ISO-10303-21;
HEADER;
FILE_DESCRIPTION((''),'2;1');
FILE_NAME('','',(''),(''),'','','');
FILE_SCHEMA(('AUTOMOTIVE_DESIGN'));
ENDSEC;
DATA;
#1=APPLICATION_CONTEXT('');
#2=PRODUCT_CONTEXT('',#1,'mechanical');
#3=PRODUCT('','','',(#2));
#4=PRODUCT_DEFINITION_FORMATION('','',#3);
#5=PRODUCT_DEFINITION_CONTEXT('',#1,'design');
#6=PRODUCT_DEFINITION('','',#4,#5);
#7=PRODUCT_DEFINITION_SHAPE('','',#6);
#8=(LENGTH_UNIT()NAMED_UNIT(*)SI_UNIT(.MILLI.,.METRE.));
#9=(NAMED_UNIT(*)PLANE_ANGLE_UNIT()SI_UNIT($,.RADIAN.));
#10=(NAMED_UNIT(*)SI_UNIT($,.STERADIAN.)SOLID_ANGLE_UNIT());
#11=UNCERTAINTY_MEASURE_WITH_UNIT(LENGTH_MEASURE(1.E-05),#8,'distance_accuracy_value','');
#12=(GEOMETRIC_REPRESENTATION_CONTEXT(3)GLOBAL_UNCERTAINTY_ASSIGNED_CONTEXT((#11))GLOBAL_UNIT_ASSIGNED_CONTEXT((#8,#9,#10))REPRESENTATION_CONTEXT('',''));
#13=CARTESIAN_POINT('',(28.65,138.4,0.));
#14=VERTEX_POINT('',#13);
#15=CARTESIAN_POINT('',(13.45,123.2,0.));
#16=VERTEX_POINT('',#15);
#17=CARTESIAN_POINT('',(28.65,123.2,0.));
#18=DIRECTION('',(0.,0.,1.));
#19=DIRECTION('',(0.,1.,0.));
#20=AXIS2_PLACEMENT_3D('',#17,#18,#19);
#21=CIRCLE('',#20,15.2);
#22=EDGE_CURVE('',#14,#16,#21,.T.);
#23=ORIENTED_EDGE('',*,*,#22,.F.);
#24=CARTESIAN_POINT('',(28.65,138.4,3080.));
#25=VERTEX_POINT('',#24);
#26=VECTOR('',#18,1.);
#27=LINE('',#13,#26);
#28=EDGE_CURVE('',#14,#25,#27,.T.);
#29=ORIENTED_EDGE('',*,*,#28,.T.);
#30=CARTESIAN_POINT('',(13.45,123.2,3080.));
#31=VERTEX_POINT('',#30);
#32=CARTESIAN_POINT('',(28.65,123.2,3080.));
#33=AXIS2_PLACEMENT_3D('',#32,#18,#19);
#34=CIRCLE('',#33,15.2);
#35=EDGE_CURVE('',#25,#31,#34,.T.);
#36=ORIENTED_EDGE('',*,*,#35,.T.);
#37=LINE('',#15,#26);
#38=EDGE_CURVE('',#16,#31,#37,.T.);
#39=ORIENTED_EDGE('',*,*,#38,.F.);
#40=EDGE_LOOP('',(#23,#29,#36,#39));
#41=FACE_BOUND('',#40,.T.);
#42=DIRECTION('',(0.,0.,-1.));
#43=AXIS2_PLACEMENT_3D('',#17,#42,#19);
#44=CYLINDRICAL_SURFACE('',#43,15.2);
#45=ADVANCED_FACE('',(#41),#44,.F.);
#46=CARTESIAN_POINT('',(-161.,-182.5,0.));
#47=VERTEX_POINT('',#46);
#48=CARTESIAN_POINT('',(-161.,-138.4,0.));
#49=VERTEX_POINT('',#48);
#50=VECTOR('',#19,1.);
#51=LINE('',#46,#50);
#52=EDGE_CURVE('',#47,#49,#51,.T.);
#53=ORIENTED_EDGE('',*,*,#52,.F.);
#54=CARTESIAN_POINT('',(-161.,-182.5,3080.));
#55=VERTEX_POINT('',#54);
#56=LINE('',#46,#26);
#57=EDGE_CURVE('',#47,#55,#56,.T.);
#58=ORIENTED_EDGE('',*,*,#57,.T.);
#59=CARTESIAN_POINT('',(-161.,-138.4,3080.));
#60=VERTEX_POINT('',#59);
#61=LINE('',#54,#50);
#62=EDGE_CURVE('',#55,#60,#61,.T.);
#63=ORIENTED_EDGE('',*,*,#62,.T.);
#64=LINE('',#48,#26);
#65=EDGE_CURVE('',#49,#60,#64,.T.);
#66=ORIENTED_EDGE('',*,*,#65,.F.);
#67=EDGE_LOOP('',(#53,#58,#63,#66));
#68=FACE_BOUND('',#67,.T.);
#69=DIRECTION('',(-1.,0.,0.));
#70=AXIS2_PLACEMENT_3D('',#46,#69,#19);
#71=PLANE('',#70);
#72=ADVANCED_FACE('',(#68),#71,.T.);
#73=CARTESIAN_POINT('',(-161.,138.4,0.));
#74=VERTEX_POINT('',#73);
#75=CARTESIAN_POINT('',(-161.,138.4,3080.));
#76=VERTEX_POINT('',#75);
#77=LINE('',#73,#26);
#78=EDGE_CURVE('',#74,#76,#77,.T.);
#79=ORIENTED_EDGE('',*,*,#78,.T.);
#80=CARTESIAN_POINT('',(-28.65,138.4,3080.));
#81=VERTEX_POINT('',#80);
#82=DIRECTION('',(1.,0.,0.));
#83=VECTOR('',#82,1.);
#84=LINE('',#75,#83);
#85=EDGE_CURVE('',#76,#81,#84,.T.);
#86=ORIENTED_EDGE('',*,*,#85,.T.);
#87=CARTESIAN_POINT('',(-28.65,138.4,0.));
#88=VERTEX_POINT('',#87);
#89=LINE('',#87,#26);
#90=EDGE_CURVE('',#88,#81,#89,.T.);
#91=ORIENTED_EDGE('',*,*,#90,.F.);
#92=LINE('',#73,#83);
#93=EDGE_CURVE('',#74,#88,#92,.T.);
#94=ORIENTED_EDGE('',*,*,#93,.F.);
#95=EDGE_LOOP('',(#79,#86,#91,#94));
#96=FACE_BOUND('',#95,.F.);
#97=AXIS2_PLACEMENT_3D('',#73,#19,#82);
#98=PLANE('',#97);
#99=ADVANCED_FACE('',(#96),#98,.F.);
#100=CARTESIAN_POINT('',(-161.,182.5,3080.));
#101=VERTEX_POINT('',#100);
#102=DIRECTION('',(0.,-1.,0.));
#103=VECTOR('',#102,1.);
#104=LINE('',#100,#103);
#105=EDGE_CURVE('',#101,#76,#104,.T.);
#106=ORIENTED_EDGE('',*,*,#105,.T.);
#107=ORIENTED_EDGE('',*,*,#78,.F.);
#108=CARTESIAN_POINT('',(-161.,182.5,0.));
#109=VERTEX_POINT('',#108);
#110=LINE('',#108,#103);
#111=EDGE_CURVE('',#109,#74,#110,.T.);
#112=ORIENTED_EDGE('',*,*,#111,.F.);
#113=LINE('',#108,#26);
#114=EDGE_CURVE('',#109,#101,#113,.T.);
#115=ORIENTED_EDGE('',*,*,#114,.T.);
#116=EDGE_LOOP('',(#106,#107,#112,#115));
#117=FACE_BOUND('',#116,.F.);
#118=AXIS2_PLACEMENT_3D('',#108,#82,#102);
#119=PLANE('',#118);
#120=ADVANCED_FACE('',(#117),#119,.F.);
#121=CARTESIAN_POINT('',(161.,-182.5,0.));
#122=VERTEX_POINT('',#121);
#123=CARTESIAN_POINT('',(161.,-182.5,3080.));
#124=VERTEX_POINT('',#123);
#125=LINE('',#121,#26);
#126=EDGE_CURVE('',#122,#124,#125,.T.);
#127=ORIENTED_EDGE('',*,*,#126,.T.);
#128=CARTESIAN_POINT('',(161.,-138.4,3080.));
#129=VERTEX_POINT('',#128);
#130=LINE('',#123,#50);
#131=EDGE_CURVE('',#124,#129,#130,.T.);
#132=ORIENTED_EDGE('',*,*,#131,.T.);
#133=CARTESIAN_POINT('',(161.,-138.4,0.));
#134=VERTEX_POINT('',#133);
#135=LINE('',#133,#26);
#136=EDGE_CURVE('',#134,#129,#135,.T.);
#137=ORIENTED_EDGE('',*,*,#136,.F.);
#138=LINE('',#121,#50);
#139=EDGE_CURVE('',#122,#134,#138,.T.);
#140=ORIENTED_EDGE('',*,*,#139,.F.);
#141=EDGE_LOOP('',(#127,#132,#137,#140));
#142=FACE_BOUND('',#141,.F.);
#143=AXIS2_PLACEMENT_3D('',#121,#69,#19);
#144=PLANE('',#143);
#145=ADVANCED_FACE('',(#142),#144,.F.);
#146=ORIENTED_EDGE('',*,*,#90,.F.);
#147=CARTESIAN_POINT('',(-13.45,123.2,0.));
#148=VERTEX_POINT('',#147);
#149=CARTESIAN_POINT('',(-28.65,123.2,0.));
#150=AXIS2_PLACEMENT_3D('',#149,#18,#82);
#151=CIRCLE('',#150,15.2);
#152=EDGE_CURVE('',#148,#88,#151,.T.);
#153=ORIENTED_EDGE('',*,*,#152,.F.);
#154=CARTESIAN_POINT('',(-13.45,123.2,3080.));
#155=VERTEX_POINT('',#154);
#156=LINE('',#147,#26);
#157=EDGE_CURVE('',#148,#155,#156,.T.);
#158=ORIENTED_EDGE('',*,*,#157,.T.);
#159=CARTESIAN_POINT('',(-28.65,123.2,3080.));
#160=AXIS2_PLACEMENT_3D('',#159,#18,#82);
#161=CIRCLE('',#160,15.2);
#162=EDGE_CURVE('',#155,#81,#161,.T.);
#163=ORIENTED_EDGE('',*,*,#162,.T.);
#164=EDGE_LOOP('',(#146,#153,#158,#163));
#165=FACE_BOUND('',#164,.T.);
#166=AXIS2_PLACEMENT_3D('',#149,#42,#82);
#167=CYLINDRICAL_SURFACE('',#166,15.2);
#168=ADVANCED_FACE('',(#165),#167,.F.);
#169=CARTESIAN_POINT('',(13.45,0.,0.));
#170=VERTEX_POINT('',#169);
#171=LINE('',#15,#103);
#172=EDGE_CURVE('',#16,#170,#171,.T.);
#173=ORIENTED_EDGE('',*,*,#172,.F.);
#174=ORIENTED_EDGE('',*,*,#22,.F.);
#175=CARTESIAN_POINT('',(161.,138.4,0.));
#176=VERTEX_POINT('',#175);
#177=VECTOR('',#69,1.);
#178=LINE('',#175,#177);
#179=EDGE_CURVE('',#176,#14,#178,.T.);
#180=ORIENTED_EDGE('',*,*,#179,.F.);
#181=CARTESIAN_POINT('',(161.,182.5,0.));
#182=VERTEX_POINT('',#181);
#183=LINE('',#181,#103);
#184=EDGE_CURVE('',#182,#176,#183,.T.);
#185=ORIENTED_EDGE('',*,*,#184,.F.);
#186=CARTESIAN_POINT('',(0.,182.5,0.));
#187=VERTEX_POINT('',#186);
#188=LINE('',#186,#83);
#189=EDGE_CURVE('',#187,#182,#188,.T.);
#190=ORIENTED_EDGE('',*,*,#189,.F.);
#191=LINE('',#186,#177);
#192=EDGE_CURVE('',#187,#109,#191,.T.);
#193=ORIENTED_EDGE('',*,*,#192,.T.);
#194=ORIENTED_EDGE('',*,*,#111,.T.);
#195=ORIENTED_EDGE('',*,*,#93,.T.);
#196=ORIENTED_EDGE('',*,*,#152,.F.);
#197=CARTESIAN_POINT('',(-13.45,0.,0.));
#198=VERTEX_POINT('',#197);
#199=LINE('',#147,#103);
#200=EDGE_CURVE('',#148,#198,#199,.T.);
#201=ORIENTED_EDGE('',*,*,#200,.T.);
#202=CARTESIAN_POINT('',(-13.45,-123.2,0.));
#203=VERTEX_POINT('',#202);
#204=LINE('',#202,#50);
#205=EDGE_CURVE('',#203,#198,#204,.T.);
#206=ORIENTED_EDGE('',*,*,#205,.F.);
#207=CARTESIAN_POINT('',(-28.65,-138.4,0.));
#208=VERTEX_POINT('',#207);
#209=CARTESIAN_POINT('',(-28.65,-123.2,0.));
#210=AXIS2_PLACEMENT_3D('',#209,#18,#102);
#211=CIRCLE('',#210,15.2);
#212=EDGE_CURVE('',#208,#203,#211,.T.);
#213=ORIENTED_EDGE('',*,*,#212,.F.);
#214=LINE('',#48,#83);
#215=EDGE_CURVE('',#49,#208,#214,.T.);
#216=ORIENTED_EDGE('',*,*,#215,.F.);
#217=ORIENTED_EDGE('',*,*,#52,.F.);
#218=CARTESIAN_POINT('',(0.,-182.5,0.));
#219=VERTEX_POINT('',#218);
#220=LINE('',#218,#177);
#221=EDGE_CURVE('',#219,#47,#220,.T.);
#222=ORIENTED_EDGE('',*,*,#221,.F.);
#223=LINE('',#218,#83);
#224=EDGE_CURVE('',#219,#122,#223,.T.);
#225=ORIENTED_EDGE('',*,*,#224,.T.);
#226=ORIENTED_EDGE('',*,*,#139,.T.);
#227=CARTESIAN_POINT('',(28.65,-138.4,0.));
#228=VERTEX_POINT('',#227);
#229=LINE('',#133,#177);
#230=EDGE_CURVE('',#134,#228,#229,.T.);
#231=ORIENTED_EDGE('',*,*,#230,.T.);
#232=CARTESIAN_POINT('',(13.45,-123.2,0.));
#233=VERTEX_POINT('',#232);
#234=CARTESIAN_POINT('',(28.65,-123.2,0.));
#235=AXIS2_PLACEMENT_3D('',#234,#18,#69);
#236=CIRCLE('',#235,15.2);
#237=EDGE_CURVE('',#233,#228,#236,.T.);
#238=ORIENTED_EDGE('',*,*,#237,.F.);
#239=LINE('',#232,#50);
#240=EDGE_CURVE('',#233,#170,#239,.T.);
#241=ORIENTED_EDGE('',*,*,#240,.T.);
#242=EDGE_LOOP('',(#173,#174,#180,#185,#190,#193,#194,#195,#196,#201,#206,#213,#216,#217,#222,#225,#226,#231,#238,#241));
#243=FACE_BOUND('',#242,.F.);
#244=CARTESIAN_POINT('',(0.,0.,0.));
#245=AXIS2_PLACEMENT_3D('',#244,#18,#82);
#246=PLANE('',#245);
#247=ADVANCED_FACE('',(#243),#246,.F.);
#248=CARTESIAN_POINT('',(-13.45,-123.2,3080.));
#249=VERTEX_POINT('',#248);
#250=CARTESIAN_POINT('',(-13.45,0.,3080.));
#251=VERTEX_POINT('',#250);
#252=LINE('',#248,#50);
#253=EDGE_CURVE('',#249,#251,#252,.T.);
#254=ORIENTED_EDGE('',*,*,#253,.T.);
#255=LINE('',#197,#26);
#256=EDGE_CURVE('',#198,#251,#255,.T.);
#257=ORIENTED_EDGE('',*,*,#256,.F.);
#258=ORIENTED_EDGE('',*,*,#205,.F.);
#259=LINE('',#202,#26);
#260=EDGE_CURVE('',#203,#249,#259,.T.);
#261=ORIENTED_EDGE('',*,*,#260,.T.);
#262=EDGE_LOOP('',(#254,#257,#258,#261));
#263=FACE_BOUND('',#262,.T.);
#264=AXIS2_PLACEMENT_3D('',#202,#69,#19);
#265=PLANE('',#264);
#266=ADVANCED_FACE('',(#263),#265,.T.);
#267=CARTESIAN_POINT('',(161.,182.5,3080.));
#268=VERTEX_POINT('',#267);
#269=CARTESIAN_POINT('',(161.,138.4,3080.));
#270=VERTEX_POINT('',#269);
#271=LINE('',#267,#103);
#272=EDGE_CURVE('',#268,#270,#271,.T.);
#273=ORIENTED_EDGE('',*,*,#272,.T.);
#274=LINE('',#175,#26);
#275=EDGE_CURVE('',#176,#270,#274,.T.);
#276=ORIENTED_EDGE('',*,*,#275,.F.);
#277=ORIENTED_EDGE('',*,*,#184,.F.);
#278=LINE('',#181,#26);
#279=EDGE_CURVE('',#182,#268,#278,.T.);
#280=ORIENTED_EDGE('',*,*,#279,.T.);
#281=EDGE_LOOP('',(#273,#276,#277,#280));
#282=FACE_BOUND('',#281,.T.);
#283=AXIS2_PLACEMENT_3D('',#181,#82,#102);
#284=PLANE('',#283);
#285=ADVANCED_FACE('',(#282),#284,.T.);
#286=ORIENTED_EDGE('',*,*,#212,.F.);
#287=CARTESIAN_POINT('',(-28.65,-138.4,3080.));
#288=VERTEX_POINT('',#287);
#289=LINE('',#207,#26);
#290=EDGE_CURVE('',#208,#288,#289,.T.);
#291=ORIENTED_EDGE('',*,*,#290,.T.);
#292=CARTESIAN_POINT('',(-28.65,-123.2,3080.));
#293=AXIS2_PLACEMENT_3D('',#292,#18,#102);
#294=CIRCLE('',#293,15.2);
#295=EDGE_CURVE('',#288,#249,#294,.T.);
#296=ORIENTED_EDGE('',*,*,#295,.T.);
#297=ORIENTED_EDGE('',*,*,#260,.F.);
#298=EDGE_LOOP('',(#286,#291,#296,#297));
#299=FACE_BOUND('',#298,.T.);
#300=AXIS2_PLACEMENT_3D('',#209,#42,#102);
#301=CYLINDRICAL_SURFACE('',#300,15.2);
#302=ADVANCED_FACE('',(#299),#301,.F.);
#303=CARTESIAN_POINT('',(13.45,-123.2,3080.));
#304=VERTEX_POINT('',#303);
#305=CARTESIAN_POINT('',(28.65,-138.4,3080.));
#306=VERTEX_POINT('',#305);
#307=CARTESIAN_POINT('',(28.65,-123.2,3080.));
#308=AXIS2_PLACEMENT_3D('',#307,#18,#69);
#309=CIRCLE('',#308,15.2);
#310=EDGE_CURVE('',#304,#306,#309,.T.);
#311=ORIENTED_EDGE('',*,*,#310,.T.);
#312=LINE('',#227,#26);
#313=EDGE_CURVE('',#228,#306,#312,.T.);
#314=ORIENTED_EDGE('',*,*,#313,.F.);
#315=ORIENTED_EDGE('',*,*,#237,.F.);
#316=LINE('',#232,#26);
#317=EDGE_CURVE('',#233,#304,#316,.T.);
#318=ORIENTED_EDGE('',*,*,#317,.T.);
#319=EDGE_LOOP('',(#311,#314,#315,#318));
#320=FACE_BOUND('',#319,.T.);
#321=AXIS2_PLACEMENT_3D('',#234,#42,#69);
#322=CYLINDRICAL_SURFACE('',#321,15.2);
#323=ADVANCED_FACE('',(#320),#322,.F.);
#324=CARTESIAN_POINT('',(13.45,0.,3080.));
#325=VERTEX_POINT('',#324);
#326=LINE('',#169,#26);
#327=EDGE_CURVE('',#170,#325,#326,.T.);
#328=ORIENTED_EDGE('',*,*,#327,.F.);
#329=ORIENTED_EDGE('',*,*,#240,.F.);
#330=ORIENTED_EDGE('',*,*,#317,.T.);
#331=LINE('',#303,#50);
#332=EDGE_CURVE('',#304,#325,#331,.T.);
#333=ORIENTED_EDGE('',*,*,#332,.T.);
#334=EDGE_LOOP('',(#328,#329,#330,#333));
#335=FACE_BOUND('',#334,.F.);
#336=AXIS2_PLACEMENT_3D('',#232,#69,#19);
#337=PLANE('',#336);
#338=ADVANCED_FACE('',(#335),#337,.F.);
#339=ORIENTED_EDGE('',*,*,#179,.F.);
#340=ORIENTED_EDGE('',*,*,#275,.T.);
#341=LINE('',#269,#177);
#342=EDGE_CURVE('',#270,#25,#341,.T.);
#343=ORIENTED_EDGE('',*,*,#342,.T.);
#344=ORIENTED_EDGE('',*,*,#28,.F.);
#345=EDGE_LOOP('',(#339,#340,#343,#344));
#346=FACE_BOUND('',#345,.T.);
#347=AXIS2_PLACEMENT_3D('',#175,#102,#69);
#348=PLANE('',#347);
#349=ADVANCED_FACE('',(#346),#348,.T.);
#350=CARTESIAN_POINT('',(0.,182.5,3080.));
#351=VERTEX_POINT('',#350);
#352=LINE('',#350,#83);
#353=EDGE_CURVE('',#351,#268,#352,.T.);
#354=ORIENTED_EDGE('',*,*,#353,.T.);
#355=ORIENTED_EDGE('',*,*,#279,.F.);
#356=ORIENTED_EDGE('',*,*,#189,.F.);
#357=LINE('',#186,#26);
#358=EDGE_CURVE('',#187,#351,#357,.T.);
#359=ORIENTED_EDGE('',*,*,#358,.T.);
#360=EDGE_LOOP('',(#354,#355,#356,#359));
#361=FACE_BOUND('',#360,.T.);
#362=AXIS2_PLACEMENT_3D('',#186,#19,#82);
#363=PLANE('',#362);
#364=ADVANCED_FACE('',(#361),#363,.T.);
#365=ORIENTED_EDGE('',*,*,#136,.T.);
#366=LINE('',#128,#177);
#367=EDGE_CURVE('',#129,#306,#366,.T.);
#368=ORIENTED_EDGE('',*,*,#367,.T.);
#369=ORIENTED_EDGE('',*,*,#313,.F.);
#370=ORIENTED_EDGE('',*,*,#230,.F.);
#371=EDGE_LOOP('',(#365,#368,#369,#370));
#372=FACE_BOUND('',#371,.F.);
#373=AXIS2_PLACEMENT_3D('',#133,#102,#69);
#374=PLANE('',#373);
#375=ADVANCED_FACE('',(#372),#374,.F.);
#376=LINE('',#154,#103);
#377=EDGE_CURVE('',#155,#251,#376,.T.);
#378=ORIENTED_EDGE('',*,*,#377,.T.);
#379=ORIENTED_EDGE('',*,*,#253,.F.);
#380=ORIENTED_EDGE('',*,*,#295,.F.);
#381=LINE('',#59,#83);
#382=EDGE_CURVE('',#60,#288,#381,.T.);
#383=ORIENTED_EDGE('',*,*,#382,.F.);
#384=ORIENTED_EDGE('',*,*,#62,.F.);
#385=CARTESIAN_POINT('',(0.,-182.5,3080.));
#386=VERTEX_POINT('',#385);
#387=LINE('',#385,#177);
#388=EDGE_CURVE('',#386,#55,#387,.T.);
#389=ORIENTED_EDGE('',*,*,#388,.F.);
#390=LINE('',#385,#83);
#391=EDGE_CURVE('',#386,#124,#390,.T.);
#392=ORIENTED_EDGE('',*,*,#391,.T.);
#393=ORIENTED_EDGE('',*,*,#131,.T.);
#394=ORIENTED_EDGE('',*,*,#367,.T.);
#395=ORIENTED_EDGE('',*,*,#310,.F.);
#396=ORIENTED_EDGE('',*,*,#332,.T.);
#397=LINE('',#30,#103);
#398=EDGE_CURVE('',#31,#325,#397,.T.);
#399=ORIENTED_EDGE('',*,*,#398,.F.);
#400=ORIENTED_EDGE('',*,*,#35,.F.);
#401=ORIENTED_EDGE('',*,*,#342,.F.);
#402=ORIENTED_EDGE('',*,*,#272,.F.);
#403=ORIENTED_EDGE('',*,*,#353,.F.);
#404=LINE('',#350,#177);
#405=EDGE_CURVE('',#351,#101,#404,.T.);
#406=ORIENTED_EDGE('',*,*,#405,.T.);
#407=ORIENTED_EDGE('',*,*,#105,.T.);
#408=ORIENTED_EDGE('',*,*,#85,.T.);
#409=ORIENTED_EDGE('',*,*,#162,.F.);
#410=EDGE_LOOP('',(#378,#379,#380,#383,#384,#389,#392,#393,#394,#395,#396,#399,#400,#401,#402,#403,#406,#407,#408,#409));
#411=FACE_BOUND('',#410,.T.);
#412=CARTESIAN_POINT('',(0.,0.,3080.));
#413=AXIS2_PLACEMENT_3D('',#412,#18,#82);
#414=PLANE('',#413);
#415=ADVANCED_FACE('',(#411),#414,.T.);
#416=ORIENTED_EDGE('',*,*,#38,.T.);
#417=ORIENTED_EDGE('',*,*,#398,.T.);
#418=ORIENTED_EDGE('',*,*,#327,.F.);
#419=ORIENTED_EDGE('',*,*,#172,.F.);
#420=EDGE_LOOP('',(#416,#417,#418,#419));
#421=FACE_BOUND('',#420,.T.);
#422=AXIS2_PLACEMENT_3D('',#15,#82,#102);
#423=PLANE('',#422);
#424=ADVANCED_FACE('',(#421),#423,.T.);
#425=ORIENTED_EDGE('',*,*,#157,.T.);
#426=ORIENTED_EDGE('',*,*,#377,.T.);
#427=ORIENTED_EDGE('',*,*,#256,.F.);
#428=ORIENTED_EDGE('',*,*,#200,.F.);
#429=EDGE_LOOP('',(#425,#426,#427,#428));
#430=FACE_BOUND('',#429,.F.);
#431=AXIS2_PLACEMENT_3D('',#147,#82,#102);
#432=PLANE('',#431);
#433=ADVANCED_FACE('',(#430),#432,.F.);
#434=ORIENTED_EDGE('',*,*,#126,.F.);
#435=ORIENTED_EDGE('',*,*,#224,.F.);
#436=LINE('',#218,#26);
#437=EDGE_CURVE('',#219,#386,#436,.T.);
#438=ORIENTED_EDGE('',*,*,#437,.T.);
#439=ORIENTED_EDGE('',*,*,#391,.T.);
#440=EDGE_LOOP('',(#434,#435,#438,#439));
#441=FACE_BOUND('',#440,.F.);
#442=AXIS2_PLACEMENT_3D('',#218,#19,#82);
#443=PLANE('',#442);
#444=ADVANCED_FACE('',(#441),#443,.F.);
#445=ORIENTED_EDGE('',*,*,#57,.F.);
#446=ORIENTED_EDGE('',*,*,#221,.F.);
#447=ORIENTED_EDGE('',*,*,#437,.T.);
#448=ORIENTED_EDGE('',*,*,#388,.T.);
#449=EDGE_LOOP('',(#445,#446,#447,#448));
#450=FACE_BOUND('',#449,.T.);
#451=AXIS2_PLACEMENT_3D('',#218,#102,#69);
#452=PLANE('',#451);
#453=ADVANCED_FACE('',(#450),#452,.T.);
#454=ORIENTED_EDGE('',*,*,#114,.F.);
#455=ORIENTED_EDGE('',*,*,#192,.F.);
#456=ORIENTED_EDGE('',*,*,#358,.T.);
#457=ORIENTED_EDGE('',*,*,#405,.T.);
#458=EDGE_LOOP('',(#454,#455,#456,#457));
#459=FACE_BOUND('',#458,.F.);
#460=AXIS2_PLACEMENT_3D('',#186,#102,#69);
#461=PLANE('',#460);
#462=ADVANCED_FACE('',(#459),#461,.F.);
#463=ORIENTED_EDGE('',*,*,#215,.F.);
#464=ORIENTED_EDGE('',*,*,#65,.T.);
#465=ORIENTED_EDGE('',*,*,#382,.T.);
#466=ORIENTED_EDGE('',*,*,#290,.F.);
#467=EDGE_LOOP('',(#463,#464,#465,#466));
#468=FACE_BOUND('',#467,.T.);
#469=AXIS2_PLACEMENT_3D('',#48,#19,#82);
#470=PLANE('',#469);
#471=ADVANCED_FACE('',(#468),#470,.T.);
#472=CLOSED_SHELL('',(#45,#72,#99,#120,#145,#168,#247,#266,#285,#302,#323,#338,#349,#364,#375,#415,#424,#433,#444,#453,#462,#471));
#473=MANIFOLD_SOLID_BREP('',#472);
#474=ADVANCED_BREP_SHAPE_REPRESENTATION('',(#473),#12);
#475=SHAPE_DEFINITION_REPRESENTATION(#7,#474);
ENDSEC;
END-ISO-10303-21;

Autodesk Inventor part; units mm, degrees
ref_plane "YZ Plane" through (0, 0, 0) normal (1, 0, 0) x (0, 1, 0)
ref_plane "Start plane" through (0, 0, 0) normal (0, 0, 1) x (1, 0, 0)
ref_plane "End plane" through (0, 0, 3080) normal (0, 0, 1) x (1, 0, 0)
sketch "Sketch" plane through (0, 0, 0) normal (0, 0, 1) x (1, 0, 0)
  line L0 (-161, -182.5) -> (-161, -138.4)
  line L1 (-161, -138.4) -> (-28.65, -138.4)
  line L2 (-13.45, -123.2) -> (-13.45, 0)
  line L3 (-13.45, 0) -> (0, 0) construction
  line L4 (0, 0) -> (0, -182.5) construction
  line L5 (0, -182.5) -> (-161, -182.5)
  line L6 (-60, 0) -> (80, 0) construction
  line L7 (0, -60) -> (0, 80) construction
  line L8 (161, -182.5) -> (161, -138.4)
  line L9 (161, -138.4) -> (28.65, -138.4)
  line L10 (13.45, -123.2) -> (13.45, 0)
  line L11 (13.45, 0) -> (0, 0) construction
  line L12 (0, -182.5) -> (161, -182.5)
  line L13 (-161, 182.5) -> (-161, 138.4)
  line L14 (-161, 138.4) -> (-28.65, 138.4)
  line L15 (-13.45, 123.2) -> (-13.45, 0)
  line L16 (0, 182.5) -> (-161, 182.5)
  line L17 (161, 182.5) -> (161, 138.4)
  line L18 (161, 138.4) -> (28.65, 138.4)
  line L19 (0, 182.5) -> (161, 182.5)
  line L20 (13.45, 123.2) -> (13.45, 0)
  arc A0 (-13.45, 123.2) -> (-28.65, 138.4) centre (-28.65, 123.2) ccw
  arc A1 (28.65, 138.4) -> (13.45, 123.2) centre (28.65, 123.2) ccw
  arc A2 (13.45, -123.2) -> (28.65, -138.4) centre (28.65, -123.2) ccw
  arc A3 (-28.65, -138.4) -> (-13.45, -123.2) centre (-28.65, -123.2) ccw
  line L21 (0, 108) -> (0, -88) construction
  line L22 (-88, 0) -> (108, 0) construction
  point P0 (-13.45, -138.4)
  point P1 (13.45, -138.4)
  point P2 (-13.45, 138.4)
  point P3 (13.45, 138.4)
  dimension "d1" = 182.5
  dimension "d2" = 44.1
  dimension "d3" = 161
  dimension "d4" = 13.45
  dimension "d10" = 15.2
extrude "Body" add sketch "Sketch" along normal up to surface (3080 mm away) from surface at 0
sketch "Sketch4" plane through (0, 0, 0) normal (0, 0, 1) x (1, 0, 0)
  line L0 (0, 0) -> (10, 0)
ref_plane "Work Plane3" through (0, 0, 0) normal (0, -1, 0) x (1, 0, 0)
sketch "Sketch5" plane through (0, 0, 0) normal (0, -1, 0) x (1, 0, 0)
  line L0 (-2, 0) -> (12, 0) projected
  line L1 (-2, 3080) -> (12, 3080) projected
  dimension "d14" = 3080
equation "\"d1\" = 0.5 * G_H"
equation "\"d2\" = G_T1"
equation "\"d3\" = 0.5 * G_W"
equation "\"d4\" = 0.5 * G_T"
equation "\"d10\" = G_IR"
equation "\"d5\" = G_L"
equation "\"G_W\" = 322"
equation "\"G_H\" = 365"
equation "\"G_T\" = 26.9"
equation "\"G_T1\" = 44.1"
equation "\"G_IR\" = 15.2"
equation "\"G_L\" = d14"
equation "\"G_OFFSET_START\" = 0"
equation "\"G_OFFSET_END\" = 0"
properties part number "AS 3679 - 310 UC - 283 - 3080" material "Steel, Mild"
